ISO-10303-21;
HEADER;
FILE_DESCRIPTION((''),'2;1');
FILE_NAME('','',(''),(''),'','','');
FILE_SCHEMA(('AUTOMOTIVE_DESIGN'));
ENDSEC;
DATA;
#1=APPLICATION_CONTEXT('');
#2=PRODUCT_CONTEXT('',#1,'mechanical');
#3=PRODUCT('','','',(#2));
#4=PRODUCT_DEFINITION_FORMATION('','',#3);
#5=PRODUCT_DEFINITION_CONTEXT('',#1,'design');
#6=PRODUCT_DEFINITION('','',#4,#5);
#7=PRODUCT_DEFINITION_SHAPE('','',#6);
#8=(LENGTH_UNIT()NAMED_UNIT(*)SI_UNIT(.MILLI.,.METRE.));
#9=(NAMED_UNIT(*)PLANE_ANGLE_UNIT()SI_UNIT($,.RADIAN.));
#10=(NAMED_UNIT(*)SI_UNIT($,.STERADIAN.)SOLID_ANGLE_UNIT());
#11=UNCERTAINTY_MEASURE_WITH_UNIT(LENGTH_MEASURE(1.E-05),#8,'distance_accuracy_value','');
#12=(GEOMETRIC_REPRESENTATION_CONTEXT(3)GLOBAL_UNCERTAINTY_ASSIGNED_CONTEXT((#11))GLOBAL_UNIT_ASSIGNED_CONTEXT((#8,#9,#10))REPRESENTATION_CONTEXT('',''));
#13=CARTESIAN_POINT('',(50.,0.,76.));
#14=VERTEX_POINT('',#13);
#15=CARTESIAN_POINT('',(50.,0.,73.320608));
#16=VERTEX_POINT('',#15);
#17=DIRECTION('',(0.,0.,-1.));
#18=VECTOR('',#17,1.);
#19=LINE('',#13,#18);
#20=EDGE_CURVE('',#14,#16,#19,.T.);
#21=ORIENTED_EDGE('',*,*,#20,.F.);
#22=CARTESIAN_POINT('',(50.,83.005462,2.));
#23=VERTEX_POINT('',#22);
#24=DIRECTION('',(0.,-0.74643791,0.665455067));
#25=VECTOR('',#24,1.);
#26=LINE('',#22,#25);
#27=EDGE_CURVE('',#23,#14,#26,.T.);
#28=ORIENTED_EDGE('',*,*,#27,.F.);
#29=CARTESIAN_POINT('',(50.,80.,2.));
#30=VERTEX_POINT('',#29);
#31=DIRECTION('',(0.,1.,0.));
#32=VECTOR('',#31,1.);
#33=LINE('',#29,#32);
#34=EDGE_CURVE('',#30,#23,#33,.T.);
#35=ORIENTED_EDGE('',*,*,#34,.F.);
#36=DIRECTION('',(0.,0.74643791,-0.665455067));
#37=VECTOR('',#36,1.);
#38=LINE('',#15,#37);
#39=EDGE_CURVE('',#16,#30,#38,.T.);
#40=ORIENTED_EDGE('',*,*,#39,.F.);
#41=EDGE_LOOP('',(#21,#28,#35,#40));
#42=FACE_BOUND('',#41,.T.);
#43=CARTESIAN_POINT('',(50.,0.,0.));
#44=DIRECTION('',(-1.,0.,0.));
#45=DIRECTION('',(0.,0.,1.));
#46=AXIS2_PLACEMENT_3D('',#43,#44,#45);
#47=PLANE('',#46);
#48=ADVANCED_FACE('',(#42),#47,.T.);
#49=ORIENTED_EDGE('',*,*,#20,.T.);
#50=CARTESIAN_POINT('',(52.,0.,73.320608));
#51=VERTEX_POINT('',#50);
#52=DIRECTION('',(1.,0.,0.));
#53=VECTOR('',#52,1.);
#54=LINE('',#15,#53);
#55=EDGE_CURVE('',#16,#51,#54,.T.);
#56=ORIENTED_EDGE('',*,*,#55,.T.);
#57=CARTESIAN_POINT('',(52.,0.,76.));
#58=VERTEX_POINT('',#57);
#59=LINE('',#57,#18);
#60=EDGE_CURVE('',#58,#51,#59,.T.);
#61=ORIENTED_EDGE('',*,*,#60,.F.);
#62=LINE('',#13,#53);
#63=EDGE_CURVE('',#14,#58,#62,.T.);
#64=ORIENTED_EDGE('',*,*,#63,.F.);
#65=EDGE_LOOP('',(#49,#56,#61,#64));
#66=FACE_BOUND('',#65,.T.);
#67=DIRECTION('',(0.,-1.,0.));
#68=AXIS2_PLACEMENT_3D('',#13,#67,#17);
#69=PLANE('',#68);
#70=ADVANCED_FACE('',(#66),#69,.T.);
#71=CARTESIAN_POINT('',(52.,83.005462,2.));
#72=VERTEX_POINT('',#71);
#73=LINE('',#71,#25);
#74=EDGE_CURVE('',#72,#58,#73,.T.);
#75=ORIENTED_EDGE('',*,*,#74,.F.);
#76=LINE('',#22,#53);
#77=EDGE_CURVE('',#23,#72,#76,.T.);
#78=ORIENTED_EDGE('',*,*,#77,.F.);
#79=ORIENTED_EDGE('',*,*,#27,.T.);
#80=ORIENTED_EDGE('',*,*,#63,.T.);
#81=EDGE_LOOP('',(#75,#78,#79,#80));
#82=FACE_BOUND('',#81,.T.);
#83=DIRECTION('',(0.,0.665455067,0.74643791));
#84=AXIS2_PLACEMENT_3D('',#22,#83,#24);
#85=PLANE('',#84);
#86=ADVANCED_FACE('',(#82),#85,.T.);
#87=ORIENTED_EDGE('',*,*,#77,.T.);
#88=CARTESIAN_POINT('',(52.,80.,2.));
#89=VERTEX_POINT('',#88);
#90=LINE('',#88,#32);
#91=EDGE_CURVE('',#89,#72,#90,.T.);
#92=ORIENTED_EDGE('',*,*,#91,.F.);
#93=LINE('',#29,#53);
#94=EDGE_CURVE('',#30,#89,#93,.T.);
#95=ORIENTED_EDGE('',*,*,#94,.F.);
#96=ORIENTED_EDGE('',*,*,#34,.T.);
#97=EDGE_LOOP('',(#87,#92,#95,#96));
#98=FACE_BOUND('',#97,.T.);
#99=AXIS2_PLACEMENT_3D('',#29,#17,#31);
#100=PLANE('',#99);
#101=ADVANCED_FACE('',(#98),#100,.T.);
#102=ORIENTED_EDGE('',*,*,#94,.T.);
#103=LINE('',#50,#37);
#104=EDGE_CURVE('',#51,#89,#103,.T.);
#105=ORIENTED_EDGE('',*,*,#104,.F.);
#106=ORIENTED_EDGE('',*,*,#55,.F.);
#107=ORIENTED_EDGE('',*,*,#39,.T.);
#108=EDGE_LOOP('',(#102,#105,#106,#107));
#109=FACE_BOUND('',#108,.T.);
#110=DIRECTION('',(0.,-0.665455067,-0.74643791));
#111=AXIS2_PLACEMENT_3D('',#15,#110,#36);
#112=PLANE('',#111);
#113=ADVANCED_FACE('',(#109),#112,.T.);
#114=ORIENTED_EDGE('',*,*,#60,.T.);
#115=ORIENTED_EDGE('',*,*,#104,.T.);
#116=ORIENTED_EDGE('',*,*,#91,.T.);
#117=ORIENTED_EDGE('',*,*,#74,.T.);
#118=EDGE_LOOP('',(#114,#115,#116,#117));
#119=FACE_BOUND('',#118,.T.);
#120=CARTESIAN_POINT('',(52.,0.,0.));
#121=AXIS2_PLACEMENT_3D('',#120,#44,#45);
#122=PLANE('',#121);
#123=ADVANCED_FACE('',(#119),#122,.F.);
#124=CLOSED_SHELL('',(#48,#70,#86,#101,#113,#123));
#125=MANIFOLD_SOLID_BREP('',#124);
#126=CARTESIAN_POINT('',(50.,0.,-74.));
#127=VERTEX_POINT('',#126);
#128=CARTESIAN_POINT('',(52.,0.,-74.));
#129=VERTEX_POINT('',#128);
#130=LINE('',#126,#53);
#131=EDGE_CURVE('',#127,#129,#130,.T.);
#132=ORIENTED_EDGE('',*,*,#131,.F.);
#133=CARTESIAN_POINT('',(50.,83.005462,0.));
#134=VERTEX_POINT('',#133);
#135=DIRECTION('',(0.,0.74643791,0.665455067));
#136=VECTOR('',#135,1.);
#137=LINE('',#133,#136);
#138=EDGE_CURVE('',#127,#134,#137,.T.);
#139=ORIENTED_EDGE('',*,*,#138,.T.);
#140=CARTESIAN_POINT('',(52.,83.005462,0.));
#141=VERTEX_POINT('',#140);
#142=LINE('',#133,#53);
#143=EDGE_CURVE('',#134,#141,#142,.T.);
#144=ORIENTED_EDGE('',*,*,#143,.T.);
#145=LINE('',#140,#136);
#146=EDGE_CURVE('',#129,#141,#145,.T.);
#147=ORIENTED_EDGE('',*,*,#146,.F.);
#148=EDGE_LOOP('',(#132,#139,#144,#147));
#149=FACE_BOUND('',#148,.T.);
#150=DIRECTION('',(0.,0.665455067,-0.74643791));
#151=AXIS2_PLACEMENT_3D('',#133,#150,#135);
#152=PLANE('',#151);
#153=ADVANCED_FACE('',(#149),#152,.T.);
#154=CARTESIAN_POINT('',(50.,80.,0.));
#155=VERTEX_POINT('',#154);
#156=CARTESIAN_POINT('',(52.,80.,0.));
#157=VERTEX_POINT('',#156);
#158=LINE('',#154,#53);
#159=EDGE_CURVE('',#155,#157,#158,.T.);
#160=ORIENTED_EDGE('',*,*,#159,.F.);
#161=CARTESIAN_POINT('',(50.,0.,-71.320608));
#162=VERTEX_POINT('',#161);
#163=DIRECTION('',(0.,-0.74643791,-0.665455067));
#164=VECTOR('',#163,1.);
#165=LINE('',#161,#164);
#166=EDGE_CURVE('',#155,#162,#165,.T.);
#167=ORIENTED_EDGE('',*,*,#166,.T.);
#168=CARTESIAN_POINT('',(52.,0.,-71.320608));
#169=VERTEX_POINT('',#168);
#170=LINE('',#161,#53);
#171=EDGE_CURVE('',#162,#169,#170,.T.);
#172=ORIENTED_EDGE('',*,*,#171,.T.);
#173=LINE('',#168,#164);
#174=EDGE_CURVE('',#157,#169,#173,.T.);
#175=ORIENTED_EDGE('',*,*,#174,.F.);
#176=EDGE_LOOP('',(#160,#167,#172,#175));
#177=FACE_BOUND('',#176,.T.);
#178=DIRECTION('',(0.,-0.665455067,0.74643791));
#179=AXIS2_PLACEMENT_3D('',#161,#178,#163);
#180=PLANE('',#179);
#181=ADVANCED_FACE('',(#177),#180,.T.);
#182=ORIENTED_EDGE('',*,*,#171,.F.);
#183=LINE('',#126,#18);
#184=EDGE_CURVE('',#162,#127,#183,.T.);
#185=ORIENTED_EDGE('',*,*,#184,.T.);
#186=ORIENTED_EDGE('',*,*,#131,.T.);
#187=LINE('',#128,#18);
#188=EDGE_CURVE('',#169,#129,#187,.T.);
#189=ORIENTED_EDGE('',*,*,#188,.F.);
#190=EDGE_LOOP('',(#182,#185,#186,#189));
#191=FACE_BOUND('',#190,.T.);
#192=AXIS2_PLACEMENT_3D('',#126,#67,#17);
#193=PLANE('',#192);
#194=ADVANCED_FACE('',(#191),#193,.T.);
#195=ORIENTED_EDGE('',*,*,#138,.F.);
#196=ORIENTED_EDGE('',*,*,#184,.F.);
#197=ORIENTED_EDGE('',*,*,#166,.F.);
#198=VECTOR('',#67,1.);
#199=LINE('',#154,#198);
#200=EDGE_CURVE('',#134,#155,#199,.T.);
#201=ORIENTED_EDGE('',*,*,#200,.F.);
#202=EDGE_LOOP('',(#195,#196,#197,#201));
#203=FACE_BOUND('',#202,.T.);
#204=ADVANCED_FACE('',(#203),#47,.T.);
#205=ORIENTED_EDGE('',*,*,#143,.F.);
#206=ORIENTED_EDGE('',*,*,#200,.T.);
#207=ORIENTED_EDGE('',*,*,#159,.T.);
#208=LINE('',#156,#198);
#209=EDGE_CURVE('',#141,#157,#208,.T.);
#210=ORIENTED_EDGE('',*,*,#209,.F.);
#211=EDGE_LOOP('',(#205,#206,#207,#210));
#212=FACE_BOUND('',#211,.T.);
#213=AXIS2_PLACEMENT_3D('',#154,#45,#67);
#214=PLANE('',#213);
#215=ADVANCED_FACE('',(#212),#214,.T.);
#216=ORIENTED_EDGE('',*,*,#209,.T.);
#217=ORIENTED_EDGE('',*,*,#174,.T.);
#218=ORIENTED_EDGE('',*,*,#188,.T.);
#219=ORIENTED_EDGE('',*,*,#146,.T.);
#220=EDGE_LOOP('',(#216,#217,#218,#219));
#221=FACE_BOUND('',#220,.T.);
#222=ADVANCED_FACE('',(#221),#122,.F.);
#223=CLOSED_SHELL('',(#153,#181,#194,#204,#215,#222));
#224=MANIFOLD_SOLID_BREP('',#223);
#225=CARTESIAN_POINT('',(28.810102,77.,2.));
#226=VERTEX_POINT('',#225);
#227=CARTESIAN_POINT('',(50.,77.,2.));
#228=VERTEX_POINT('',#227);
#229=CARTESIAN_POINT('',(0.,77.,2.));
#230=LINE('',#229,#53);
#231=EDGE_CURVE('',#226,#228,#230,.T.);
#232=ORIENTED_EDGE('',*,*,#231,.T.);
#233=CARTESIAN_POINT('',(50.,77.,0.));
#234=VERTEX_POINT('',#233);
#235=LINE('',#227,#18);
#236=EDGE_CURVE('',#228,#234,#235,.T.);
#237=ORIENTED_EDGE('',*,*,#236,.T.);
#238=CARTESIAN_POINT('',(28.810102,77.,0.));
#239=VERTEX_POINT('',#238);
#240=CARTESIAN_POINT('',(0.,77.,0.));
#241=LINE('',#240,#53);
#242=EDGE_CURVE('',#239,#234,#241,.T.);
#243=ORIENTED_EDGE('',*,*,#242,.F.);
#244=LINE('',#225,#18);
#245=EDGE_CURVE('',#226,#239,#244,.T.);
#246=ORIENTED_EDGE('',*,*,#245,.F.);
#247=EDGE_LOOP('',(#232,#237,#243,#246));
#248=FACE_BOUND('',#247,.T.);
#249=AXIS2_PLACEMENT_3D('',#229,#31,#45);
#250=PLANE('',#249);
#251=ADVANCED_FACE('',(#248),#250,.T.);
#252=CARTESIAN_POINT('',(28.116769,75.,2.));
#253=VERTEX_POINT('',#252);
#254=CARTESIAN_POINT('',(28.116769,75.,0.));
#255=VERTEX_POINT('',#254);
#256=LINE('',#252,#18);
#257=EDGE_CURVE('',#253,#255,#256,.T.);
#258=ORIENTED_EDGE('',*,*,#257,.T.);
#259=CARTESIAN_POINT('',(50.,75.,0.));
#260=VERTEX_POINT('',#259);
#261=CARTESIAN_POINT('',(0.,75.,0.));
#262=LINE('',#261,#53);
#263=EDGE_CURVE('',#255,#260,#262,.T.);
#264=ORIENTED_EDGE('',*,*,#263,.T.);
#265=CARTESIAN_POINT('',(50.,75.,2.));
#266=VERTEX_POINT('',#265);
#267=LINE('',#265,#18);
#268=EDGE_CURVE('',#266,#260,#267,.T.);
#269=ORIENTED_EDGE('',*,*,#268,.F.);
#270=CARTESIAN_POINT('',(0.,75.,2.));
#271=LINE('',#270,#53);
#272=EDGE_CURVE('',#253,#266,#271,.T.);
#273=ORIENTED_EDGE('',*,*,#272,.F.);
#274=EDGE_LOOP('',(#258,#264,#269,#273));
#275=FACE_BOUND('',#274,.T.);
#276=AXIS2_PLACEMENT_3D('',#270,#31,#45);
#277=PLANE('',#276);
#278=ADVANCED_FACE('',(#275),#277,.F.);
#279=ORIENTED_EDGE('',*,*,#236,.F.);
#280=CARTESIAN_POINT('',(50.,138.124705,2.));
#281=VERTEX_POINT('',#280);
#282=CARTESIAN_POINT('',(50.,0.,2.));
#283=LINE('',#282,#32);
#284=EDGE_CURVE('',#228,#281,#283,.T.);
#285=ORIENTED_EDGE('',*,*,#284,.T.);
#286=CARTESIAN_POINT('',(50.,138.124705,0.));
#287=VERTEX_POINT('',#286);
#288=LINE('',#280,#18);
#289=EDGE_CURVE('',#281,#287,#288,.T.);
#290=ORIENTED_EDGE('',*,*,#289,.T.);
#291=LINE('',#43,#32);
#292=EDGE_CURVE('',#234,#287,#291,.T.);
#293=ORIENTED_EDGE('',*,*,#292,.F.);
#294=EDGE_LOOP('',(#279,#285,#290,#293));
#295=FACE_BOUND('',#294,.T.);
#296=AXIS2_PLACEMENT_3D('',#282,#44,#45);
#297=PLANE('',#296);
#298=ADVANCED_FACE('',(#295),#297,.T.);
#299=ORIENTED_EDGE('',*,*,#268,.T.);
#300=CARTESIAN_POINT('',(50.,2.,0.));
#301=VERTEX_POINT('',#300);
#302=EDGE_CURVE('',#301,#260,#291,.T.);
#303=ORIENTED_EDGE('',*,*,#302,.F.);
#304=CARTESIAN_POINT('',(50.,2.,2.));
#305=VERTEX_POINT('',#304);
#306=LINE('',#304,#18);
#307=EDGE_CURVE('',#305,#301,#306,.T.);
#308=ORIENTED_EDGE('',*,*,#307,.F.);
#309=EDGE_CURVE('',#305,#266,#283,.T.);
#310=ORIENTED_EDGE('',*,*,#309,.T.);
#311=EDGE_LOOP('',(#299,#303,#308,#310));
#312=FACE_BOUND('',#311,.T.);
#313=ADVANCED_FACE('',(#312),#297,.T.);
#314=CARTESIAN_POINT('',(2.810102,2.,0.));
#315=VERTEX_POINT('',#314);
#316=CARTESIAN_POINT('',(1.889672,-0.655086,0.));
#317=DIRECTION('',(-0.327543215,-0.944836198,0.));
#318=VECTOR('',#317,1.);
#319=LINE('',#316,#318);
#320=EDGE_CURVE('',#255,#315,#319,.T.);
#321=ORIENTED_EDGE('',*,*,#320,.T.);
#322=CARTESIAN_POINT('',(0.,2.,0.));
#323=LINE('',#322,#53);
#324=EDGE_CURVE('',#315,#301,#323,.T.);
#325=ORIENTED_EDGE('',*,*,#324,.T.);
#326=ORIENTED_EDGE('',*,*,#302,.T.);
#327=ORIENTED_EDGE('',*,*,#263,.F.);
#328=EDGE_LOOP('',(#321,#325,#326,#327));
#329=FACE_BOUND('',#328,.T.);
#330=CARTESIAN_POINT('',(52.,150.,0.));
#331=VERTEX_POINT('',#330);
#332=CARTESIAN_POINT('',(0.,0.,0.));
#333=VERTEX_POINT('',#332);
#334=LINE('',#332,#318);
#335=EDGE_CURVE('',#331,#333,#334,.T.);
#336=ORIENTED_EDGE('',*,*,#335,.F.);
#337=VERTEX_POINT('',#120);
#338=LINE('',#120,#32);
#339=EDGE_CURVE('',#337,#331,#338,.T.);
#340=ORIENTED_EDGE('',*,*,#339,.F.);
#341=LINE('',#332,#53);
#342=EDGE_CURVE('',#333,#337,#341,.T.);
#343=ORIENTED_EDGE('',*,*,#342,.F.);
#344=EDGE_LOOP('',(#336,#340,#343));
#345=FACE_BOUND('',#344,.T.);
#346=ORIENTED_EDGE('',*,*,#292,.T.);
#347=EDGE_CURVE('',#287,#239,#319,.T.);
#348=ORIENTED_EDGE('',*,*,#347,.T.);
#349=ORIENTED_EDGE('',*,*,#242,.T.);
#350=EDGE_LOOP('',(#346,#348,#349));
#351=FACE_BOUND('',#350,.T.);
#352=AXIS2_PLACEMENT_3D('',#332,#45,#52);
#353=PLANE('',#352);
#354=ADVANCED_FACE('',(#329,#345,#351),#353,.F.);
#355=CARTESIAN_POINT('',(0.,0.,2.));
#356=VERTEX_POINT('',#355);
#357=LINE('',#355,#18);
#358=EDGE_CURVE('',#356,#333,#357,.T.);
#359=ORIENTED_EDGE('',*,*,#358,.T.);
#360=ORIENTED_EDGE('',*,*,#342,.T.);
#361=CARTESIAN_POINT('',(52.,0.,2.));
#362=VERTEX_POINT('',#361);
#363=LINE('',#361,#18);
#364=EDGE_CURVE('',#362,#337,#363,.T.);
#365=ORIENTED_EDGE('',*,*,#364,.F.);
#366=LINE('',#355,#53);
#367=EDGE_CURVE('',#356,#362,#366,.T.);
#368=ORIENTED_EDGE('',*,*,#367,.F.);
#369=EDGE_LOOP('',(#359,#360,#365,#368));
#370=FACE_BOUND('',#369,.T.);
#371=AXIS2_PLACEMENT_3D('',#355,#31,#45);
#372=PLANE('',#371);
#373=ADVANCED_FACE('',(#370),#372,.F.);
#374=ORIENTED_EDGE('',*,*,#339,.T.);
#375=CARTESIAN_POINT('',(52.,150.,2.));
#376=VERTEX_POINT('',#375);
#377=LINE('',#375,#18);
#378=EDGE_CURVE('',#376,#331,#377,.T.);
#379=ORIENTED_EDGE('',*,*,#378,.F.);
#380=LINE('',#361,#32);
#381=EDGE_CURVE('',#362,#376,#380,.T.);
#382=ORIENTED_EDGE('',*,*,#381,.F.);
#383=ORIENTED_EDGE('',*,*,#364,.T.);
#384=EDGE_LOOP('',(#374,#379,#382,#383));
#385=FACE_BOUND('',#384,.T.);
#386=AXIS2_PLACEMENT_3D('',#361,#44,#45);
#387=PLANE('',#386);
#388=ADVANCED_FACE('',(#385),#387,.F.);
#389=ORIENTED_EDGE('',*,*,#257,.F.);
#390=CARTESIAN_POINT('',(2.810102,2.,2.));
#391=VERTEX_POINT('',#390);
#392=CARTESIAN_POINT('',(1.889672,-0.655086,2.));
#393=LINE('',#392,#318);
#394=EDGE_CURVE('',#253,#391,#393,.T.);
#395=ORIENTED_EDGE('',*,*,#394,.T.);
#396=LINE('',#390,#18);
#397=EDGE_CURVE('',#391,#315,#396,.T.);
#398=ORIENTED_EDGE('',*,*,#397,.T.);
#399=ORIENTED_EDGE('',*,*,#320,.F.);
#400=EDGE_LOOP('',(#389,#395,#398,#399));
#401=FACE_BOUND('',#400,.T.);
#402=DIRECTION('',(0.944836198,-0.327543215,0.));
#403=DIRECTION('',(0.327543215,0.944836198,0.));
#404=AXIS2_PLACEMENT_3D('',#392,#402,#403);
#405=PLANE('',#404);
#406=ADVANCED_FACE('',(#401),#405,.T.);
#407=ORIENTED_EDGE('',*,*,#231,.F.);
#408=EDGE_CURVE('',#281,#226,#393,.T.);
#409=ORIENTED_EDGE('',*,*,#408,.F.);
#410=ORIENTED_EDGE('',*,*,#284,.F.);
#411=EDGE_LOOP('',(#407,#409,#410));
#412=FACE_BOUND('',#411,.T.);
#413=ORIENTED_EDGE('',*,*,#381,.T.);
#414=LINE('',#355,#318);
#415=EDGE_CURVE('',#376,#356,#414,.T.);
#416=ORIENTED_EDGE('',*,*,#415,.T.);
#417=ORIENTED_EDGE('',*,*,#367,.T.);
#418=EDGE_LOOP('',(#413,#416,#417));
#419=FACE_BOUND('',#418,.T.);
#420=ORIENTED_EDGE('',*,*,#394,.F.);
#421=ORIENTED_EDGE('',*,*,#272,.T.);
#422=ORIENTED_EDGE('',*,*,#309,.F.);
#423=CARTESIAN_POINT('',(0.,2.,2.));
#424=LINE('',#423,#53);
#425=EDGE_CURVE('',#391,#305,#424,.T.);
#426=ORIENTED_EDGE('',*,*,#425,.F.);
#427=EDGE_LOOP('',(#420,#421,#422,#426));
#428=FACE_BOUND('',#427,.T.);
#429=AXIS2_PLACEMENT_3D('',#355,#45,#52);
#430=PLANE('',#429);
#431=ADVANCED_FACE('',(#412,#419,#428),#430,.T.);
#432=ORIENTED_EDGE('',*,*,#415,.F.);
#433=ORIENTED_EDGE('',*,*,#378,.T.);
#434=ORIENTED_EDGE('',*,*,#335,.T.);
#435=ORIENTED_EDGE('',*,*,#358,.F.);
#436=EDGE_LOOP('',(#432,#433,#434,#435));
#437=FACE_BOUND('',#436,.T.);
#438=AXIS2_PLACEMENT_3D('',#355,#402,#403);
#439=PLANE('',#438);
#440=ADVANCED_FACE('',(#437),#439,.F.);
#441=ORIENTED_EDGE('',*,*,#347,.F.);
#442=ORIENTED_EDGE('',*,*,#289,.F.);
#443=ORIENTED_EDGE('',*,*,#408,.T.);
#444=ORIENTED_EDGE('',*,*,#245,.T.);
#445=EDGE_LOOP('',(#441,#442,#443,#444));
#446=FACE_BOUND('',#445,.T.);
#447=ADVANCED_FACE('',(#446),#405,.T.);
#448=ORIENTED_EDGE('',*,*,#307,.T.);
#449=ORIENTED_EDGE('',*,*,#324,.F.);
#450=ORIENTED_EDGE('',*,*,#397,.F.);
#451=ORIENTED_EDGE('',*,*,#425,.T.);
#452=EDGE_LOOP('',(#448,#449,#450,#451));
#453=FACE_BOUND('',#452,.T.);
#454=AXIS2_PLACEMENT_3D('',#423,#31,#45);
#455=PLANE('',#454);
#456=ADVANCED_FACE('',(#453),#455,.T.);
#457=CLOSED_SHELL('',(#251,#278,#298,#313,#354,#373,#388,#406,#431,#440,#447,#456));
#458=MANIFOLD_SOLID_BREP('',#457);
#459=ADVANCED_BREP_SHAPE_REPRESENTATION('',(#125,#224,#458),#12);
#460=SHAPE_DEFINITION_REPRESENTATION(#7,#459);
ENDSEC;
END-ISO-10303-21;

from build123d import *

# Parameters (mm, degrees)
EXTRUDE_1_DEPTH   = 2
EXTRUDE_2_DEPTH   = 2
EXTRUDE_2_2_DEPTH = 2


with BuildPart() as part:
    # ｽｹｯﾁ1 → ﾎﾞｽ - 押し出し1 (new body)
    with BuildSketch(Plane.XY):
        Polygon((52, 0), (52, 150), (0, 0), align=None)
        Polygon((50, 2), (50, 138.124704732), (2.81010236, 2), align=None, mode=Mode.SUBTRACT)
        Polygon((50, 77), (28.81010236, 77), (28.116769026, 75), (50, 75), align=None)
    extrude(amount=EXTRUDE_1_DEPTH)


with BuildPart() as body_2:
    # ｽｹｯﾁ2 → ﾎﾞｽ - 押し出し2 (new body)
    with BuildSketch(Plane(origin=(52, 0, 0), x_dir=(0, 0, -1), z_dir=(1, 0, 0))):
        Polygon((-2, 83.005462125), (-76, 0), (-73.320607685, 0), (-2, 80), align=None)
    extrude(amount=-EXTRUDE_2_DEPTH)


with BuildPart() as body_3:
    # ｽｹｯﾁ2 → Extrude 2 2 (new body)
    with BuildSketch(Plane(origin=(52, 0, 0), x_dir=(0, 0, -1), z_dir=(1, 0, 0))):
        Polygon((74, 0), (71.320607685, 0), (0, 80), (0, 83.005462125), align=None)
    extrude(amount=-EXTRUDE_2_2_DEPTH)


solid = Compound([part.part, body_2.part, body_3.part])
